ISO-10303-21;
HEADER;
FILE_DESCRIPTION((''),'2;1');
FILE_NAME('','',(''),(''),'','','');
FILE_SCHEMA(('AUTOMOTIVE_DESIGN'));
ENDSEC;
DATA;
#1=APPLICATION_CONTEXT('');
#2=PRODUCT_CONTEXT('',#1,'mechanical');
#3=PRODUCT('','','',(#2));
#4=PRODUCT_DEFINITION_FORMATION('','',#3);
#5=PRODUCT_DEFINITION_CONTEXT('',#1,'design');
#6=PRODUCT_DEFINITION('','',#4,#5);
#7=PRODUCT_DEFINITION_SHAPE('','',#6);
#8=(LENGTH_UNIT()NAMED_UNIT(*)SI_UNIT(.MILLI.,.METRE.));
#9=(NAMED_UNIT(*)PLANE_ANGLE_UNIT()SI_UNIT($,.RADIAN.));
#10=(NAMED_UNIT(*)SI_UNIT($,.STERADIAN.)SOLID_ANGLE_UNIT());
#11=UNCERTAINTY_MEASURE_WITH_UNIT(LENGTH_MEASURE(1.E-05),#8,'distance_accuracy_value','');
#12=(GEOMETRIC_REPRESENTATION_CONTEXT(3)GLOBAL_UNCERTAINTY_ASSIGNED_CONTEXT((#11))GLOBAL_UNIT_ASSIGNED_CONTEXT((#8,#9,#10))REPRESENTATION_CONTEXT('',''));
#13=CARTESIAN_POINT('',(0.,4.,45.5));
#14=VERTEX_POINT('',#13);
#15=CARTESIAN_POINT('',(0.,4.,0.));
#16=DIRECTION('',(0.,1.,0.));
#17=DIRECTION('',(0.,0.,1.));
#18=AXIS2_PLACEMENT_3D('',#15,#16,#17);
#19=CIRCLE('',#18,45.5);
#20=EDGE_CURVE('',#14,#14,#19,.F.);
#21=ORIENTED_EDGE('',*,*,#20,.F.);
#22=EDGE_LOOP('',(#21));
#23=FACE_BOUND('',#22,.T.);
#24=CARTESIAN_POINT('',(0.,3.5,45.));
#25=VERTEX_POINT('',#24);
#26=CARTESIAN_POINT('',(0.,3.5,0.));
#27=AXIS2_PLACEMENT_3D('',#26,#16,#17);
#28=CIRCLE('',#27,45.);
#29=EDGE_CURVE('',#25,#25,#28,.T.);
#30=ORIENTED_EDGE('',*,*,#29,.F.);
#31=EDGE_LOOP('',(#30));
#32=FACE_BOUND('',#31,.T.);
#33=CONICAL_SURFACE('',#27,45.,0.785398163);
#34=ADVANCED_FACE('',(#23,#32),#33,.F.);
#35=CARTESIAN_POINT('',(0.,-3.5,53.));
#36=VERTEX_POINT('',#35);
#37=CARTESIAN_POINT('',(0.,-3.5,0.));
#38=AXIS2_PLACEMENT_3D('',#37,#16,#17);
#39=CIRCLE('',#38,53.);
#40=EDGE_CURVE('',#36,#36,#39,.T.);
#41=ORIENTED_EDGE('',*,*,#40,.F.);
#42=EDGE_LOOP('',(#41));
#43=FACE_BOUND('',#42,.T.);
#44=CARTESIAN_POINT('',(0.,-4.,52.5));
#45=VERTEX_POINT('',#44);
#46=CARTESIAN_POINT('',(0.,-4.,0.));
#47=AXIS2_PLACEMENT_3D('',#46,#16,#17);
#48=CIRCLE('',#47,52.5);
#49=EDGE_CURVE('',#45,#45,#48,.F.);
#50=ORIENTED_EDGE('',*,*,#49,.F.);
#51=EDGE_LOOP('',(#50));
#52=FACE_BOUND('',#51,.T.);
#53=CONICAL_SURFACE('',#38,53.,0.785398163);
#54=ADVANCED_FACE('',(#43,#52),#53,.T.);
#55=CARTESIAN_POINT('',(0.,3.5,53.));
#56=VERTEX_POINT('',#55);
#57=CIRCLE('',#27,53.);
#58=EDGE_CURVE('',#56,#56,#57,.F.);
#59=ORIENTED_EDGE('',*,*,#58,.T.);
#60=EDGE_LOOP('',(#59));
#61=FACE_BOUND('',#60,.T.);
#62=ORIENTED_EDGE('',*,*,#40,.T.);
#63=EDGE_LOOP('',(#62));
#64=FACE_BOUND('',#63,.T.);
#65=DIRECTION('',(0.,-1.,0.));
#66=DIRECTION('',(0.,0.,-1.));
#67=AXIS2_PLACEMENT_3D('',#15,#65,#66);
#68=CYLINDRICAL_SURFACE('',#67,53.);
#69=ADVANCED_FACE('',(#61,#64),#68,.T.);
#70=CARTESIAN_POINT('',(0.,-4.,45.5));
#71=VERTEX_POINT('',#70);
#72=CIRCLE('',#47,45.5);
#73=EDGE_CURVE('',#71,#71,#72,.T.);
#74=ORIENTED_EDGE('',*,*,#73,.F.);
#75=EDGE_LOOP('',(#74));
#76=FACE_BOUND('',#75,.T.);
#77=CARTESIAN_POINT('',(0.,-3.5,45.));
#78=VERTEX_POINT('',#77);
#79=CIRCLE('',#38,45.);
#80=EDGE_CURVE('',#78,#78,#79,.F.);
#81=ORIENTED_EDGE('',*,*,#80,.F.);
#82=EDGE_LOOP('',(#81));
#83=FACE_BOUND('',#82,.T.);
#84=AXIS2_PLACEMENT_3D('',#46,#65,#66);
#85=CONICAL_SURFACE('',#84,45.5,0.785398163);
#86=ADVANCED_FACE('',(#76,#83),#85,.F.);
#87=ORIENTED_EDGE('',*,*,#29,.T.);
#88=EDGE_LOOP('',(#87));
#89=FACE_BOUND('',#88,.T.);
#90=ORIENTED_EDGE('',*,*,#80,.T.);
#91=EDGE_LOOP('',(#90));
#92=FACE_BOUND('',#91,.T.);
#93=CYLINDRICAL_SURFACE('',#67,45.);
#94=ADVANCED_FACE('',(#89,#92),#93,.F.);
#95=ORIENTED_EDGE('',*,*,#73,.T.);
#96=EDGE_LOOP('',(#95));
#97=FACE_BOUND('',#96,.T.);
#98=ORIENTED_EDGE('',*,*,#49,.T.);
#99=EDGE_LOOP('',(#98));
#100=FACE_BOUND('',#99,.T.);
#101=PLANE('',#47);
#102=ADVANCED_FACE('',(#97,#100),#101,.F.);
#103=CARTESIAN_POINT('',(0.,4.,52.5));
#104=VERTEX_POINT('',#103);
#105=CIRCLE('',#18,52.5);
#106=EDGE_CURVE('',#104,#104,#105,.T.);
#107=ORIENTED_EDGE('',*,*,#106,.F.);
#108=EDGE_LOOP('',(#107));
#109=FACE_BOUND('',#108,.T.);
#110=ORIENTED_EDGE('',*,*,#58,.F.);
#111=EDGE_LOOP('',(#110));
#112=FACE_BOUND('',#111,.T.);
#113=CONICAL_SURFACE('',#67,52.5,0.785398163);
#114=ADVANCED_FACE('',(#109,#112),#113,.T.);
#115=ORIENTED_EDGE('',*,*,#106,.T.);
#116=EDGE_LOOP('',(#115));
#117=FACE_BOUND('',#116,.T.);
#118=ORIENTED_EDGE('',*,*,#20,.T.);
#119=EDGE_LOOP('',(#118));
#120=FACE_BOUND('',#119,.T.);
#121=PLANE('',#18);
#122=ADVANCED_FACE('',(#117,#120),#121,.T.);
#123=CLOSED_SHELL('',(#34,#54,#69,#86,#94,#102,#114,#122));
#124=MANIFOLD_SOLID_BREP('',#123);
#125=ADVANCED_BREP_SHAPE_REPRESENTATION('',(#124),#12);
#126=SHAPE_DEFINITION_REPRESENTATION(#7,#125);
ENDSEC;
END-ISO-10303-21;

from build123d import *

# Parameters (mm, degrees)
SKETCH_1_R      = 53
SKETCH_1_R_2    = 45
EXTRUDE_1_DEPTH = 4
CHAMFER_1_SIZE  = 0.5


with BuildPart() as part:
    # 草图1 → 凸台-拉伸1 (new, symmetric)
    with BuildSketch(Plane(origin=(0, 0, 0), x_dir=(1, 0, 0), z_dir=(0, 1, 0))):
        with Locations(Location((0, 0, 0), (0, 0, 270))):
            Circle(SKETCH_1_R)
        with Locations(Location((0, 0, 0), (0, 0, 270))):
            Circle(SKETCH_1_R_2, mode=Mode.SUBTRACT)
    extrude(amount=EXTRUDE_1_DEPTH, both=True)

    # 倒角1
    chamfer_1_edges = [part.edges().sort_by_distance(p)[0] for p in [
        (0, -4, -53),
        (0, 4, -53),
        (0, -4, -45),
        (0, 4, -45),
    ]]
    chamfer(chamfer_1_edges, length=CHAMFER_1_SIZE)


solid = part.part
